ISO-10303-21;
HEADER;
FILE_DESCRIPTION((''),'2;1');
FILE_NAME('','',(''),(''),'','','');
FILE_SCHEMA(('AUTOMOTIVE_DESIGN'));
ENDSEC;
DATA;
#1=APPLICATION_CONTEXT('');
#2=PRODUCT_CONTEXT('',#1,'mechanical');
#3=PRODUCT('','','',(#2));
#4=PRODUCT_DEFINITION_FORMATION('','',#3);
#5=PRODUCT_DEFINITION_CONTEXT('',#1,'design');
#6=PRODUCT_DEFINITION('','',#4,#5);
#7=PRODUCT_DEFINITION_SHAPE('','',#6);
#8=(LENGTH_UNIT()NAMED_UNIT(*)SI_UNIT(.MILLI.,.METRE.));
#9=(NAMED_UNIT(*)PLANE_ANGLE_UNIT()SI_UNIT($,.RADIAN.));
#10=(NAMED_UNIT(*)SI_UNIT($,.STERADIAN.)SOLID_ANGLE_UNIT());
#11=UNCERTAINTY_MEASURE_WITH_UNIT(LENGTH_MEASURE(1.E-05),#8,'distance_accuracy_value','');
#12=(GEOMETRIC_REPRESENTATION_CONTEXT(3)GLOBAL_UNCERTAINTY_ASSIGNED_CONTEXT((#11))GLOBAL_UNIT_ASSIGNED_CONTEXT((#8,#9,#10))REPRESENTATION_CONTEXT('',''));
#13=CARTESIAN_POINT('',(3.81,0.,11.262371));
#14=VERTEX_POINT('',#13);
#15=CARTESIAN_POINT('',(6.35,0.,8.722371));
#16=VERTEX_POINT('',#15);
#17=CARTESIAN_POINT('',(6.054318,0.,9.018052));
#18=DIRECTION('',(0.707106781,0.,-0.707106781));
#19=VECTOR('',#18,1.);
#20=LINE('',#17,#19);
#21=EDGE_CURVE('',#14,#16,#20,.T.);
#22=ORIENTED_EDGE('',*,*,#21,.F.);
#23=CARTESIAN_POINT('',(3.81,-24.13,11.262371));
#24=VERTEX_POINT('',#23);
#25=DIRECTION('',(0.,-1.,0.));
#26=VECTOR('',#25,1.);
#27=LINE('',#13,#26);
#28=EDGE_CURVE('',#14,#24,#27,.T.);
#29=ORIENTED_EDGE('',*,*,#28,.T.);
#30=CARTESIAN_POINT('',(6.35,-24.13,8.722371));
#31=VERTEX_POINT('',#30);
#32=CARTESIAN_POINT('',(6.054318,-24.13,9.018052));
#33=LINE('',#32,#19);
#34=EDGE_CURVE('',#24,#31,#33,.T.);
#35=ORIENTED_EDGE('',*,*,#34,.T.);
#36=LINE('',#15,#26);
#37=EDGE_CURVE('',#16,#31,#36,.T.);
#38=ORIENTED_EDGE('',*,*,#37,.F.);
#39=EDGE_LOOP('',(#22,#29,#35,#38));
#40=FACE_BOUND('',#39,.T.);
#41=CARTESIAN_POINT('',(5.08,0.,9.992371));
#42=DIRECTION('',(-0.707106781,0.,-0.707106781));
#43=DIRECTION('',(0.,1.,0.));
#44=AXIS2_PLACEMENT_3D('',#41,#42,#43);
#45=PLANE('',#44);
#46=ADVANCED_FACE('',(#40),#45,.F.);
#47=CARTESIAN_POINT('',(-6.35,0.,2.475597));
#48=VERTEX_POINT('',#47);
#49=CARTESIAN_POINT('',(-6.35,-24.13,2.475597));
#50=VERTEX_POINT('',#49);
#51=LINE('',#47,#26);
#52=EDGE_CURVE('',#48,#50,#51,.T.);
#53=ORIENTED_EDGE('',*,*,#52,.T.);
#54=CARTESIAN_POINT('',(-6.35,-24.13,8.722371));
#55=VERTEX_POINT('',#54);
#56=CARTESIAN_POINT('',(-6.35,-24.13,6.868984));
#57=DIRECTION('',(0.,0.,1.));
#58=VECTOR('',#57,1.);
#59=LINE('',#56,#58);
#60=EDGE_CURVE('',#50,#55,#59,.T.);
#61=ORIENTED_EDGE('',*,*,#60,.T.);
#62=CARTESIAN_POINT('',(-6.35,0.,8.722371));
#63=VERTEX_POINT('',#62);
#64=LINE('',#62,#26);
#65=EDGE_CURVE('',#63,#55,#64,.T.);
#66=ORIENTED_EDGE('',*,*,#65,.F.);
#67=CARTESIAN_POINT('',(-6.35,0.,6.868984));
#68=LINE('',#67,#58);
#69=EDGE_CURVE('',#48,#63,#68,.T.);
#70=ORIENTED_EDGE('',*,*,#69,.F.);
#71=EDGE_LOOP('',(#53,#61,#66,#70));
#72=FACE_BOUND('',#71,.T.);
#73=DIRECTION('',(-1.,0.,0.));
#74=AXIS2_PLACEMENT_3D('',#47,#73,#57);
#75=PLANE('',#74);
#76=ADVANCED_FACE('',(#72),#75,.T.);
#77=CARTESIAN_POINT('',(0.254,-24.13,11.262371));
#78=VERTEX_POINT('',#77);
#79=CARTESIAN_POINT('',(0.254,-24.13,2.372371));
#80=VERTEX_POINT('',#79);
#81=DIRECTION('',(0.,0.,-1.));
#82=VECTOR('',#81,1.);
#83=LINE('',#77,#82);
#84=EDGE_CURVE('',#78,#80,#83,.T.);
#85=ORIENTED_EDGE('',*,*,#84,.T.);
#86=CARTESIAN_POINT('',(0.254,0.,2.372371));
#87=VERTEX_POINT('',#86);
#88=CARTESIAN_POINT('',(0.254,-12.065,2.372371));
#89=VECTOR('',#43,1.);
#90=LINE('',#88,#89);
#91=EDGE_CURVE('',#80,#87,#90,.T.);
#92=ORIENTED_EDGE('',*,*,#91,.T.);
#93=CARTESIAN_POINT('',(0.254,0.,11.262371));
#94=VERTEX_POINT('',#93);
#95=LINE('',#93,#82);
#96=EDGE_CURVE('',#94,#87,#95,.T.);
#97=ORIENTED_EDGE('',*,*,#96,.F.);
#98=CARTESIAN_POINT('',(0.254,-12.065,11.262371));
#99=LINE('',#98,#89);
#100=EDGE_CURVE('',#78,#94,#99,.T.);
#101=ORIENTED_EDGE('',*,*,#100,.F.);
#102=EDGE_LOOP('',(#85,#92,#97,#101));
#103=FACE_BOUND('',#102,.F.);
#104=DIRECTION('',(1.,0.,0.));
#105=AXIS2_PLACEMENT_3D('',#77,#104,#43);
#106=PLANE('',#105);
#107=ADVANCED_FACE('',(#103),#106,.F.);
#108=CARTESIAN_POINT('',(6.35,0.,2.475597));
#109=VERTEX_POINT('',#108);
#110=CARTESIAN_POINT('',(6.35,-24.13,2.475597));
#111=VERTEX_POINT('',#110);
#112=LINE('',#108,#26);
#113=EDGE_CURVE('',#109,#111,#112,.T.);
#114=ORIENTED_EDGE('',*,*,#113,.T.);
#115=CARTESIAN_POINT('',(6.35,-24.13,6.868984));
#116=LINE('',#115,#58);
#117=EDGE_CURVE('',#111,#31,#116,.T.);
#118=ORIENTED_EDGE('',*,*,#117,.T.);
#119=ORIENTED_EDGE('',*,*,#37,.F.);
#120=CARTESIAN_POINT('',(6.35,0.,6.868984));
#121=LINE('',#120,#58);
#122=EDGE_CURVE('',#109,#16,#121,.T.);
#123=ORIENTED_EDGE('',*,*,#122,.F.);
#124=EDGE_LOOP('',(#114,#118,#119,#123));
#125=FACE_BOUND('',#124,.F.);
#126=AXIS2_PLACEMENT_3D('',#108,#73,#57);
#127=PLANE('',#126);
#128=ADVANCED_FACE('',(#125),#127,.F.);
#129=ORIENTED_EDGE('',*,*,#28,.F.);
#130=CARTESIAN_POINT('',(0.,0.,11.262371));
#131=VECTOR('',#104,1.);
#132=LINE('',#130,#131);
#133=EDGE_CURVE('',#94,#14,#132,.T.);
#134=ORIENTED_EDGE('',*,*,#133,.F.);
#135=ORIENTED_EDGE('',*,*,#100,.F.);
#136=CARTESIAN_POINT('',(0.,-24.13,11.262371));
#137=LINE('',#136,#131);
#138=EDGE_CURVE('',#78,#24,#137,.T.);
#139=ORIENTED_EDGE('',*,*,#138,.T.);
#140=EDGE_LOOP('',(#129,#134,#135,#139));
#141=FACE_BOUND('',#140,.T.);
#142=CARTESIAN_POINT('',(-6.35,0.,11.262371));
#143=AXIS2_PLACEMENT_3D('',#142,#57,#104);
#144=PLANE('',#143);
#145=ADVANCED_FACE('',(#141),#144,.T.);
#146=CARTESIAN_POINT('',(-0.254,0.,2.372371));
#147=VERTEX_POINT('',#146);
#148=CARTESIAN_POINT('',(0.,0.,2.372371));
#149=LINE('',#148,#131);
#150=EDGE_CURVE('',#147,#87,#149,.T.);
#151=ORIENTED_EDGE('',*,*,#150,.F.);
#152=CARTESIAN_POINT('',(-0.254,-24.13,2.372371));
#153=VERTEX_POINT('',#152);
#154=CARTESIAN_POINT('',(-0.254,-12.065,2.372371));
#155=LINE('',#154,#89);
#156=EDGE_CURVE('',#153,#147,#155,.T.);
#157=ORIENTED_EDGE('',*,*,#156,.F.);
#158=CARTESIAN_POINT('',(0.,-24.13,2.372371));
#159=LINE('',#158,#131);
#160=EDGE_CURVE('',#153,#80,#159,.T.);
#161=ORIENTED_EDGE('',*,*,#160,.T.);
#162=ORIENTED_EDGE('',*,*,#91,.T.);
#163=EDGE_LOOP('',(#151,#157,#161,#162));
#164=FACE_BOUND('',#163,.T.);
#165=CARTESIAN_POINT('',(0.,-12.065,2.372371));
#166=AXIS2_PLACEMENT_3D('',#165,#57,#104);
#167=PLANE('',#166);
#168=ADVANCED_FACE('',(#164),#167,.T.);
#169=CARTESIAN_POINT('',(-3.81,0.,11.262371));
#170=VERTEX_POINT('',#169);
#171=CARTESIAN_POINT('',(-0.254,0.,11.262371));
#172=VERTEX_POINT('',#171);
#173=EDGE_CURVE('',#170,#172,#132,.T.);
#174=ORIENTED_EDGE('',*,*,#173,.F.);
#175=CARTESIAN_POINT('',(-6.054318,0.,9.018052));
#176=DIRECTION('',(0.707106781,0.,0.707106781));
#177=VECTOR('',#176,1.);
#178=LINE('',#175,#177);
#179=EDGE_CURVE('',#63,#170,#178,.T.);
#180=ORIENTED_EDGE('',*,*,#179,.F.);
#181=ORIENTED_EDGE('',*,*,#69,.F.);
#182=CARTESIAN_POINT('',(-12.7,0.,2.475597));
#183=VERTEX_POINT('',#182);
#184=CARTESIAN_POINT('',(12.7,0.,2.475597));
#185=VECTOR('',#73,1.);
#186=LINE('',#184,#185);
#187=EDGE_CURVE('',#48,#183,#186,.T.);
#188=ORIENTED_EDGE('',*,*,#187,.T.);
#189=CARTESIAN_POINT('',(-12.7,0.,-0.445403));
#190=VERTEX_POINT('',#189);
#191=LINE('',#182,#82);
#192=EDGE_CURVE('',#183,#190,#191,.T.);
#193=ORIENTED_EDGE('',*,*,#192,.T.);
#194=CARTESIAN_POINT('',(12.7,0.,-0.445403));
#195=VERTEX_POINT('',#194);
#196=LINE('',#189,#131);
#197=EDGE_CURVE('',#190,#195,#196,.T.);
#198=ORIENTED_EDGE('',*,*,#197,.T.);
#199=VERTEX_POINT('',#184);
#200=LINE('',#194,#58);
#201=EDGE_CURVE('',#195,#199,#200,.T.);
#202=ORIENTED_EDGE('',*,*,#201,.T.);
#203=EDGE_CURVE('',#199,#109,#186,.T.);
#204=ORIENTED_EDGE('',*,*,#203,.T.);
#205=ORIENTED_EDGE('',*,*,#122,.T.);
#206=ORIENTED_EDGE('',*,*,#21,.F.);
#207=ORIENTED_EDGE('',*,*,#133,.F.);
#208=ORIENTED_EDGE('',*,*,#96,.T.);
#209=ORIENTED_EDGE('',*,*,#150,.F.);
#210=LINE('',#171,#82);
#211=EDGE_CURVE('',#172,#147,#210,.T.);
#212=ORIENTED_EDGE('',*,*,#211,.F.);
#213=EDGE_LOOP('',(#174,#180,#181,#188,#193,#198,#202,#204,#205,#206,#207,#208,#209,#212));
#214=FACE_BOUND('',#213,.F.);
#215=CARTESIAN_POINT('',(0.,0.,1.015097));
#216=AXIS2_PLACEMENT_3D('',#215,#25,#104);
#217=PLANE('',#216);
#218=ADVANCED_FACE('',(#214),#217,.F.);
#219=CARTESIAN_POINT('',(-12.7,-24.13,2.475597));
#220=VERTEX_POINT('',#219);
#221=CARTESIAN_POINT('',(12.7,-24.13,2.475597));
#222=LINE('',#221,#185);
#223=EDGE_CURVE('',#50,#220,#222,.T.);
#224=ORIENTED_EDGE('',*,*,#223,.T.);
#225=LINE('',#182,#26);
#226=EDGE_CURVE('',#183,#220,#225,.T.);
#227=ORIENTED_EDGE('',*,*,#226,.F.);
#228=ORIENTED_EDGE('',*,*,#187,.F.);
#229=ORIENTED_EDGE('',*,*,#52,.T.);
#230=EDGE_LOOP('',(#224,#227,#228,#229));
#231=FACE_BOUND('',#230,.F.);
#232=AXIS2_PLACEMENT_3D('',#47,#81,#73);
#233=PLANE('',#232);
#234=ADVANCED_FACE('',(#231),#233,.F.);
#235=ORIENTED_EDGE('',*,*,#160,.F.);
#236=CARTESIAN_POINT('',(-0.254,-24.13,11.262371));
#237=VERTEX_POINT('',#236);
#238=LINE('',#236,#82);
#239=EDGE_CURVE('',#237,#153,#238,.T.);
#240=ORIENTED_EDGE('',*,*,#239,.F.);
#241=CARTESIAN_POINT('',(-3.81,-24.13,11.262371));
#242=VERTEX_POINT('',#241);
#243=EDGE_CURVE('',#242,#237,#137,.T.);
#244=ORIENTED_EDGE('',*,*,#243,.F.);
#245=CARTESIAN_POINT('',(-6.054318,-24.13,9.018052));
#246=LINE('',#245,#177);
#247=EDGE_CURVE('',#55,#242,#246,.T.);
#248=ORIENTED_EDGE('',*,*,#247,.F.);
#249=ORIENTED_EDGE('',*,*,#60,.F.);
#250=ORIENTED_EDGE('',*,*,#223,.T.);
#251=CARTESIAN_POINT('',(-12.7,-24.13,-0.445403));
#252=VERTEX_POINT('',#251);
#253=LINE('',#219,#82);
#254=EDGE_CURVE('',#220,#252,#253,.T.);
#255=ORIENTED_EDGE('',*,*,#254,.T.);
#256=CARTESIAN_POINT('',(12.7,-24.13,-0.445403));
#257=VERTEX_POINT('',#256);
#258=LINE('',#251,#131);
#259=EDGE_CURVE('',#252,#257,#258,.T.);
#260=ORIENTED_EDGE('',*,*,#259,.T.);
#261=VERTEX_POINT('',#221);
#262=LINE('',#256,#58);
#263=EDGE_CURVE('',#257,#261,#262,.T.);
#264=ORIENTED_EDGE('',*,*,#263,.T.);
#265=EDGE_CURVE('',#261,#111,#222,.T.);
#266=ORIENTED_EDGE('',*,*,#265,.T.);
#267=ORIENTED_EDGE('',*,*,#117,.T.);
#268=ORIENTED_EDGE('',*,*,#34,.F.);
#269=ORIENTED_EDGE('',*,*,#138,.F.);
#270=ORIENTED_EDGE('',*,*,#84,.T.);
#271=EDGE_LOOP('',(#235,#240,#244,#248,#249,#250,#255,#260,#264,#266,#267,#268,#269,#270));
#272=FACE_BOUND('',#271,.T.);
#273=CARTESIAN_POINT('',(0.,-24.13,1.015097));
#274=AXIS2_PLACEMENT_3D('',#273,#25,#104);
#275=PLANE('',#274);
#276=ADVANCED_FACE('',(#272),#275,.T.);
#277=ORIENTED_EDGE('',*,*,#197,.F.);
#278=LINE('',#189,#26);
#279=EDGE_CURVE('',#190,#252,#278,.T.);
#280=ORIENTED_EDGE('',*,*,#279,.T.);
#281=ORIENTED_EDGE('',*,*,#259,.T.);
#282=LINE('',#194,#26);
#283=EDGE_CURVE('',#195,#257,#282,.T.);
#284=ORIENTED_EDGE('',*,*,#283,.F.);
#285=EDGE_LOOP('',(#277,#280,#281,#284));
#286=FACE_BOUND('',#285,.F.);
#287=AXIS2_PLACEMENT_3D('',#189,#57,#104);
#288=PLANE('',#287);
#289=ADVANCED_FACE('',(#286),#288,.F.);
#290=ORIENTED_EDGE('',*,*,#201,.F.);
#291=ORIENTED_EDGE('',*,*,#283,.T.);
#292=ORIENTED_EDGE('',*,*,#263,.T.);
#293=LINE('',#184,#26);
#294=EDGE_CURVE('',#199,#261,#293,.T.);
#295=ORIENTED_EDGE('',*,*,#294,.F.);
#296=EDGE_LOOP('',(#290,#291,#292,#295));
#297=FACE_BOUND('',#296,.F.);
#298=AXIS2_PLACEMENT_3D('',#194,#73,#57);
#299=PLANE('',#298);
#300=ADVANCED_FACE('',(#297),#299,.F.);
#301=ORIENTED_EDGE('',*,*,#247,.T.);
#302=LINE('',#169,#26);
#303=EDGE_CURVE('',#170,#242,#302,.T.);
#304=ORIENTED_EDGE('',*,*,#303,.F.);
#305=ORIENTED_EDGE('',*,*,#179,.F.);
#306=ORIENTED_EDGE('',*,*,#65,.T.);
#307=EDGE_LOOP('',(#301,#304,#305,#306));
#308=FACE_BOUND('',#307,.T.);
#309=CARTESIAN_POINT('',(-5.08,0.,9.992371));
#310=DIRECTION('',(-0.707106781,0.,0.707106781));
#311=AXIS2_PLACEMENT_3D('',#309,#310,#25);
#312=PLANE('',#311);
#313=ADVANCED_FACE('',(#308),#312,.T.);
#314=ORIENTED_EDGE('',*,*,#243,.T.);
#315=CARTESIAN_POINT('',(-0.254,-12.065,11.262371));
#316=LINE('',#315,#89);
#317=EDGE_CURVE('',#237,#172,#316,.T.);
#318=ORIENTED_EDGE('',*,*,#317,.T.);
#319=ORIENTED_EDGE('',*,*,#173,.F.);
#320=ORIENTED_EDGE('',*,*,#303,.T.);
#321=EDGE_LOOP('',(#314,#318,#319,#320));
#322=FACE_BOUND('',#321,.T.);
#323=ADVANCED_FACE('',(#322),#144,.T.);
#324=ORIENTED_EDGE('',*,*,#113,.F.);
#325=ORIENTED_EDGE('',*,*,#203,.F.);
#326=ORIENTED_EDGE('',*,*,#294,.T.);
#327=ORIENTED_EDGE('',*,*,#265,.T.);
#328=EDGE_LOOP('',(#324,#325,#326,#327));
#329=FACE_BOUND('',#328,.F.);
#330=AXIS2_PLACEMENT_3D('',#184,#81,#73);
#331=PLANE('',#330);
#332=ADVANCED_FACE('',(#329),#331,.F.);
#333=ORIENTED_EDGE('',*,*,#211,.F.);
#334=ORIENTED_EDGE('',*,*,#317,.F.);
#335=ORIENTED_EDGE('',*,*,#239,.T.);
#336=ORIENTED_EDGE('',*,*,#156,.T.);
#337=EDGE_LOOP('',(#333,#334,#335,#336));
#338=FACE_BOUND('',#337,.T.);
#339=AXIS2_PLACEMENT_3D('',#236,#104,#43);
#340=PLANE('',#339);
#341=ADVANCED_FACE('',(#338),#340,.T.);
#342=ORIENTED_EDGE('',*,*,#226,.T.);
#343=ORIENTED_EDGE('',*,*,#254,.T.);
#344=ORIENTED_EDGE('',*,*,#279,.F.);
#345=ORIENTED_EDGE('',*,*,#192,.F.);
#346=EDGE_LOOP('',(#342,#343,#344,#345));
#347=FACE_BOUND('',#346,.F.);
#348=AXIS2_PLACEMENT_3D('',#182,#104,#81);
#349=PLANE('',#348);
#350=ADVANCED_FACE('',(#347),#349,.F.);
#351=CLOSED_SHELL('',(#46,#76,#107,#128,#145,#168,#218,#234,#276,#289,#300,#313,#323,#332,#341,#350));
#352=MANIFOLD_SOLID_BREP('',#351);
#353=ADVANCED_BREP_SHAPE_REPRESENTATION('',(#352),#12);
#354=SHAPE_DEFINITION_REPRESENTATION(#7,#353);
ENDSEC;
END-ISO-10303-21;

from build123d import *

# Parameters (mm, degrees)
F0_W     = 12.7
F0_H     = 8.786774
F1_DEPTH = 24.13
F2_W     = 0.508
F2_H     = 24.13
F3_DEPTH = 8.89
F4_SIZE  = 2.54


with BuildPart() as f1:
    # F0 (on Front) → F1 (new body)
    with BuildSketch(Plane.XZ):
        Polygon((-12.7, 2.475597), (-12.7, -0.445403), (12.7, -0.445403), (12.7, 2.475597), (6.35, 2.475597), (-6.35, 2.475597), align=None)
        with Locations((0, 6.868984)):
            Rectangle(F0_W, F0_H)
    extrude(amount=F1_DEPTH)

    # F2 (on face) → F3 (cut)
    with BuildSketch(Plane.XY.offset(11.262371)):
        with Locations((0, -12.065)):
            Rectangle(F2_W, F2_H)
    extrude(amount=-F3_DEPTH, mode=Mode.SUBTRACT)

    # F4
    f4_edges = [f1.edges().sort_by_distance(p)[0] for p in [
        (-6.35, -12.065, 11.262371),
        (6.35, -12.065, 11.262371),
    ]]
    chamfer(f4_edges, length=F4_SIZE)


solid = f1.part
